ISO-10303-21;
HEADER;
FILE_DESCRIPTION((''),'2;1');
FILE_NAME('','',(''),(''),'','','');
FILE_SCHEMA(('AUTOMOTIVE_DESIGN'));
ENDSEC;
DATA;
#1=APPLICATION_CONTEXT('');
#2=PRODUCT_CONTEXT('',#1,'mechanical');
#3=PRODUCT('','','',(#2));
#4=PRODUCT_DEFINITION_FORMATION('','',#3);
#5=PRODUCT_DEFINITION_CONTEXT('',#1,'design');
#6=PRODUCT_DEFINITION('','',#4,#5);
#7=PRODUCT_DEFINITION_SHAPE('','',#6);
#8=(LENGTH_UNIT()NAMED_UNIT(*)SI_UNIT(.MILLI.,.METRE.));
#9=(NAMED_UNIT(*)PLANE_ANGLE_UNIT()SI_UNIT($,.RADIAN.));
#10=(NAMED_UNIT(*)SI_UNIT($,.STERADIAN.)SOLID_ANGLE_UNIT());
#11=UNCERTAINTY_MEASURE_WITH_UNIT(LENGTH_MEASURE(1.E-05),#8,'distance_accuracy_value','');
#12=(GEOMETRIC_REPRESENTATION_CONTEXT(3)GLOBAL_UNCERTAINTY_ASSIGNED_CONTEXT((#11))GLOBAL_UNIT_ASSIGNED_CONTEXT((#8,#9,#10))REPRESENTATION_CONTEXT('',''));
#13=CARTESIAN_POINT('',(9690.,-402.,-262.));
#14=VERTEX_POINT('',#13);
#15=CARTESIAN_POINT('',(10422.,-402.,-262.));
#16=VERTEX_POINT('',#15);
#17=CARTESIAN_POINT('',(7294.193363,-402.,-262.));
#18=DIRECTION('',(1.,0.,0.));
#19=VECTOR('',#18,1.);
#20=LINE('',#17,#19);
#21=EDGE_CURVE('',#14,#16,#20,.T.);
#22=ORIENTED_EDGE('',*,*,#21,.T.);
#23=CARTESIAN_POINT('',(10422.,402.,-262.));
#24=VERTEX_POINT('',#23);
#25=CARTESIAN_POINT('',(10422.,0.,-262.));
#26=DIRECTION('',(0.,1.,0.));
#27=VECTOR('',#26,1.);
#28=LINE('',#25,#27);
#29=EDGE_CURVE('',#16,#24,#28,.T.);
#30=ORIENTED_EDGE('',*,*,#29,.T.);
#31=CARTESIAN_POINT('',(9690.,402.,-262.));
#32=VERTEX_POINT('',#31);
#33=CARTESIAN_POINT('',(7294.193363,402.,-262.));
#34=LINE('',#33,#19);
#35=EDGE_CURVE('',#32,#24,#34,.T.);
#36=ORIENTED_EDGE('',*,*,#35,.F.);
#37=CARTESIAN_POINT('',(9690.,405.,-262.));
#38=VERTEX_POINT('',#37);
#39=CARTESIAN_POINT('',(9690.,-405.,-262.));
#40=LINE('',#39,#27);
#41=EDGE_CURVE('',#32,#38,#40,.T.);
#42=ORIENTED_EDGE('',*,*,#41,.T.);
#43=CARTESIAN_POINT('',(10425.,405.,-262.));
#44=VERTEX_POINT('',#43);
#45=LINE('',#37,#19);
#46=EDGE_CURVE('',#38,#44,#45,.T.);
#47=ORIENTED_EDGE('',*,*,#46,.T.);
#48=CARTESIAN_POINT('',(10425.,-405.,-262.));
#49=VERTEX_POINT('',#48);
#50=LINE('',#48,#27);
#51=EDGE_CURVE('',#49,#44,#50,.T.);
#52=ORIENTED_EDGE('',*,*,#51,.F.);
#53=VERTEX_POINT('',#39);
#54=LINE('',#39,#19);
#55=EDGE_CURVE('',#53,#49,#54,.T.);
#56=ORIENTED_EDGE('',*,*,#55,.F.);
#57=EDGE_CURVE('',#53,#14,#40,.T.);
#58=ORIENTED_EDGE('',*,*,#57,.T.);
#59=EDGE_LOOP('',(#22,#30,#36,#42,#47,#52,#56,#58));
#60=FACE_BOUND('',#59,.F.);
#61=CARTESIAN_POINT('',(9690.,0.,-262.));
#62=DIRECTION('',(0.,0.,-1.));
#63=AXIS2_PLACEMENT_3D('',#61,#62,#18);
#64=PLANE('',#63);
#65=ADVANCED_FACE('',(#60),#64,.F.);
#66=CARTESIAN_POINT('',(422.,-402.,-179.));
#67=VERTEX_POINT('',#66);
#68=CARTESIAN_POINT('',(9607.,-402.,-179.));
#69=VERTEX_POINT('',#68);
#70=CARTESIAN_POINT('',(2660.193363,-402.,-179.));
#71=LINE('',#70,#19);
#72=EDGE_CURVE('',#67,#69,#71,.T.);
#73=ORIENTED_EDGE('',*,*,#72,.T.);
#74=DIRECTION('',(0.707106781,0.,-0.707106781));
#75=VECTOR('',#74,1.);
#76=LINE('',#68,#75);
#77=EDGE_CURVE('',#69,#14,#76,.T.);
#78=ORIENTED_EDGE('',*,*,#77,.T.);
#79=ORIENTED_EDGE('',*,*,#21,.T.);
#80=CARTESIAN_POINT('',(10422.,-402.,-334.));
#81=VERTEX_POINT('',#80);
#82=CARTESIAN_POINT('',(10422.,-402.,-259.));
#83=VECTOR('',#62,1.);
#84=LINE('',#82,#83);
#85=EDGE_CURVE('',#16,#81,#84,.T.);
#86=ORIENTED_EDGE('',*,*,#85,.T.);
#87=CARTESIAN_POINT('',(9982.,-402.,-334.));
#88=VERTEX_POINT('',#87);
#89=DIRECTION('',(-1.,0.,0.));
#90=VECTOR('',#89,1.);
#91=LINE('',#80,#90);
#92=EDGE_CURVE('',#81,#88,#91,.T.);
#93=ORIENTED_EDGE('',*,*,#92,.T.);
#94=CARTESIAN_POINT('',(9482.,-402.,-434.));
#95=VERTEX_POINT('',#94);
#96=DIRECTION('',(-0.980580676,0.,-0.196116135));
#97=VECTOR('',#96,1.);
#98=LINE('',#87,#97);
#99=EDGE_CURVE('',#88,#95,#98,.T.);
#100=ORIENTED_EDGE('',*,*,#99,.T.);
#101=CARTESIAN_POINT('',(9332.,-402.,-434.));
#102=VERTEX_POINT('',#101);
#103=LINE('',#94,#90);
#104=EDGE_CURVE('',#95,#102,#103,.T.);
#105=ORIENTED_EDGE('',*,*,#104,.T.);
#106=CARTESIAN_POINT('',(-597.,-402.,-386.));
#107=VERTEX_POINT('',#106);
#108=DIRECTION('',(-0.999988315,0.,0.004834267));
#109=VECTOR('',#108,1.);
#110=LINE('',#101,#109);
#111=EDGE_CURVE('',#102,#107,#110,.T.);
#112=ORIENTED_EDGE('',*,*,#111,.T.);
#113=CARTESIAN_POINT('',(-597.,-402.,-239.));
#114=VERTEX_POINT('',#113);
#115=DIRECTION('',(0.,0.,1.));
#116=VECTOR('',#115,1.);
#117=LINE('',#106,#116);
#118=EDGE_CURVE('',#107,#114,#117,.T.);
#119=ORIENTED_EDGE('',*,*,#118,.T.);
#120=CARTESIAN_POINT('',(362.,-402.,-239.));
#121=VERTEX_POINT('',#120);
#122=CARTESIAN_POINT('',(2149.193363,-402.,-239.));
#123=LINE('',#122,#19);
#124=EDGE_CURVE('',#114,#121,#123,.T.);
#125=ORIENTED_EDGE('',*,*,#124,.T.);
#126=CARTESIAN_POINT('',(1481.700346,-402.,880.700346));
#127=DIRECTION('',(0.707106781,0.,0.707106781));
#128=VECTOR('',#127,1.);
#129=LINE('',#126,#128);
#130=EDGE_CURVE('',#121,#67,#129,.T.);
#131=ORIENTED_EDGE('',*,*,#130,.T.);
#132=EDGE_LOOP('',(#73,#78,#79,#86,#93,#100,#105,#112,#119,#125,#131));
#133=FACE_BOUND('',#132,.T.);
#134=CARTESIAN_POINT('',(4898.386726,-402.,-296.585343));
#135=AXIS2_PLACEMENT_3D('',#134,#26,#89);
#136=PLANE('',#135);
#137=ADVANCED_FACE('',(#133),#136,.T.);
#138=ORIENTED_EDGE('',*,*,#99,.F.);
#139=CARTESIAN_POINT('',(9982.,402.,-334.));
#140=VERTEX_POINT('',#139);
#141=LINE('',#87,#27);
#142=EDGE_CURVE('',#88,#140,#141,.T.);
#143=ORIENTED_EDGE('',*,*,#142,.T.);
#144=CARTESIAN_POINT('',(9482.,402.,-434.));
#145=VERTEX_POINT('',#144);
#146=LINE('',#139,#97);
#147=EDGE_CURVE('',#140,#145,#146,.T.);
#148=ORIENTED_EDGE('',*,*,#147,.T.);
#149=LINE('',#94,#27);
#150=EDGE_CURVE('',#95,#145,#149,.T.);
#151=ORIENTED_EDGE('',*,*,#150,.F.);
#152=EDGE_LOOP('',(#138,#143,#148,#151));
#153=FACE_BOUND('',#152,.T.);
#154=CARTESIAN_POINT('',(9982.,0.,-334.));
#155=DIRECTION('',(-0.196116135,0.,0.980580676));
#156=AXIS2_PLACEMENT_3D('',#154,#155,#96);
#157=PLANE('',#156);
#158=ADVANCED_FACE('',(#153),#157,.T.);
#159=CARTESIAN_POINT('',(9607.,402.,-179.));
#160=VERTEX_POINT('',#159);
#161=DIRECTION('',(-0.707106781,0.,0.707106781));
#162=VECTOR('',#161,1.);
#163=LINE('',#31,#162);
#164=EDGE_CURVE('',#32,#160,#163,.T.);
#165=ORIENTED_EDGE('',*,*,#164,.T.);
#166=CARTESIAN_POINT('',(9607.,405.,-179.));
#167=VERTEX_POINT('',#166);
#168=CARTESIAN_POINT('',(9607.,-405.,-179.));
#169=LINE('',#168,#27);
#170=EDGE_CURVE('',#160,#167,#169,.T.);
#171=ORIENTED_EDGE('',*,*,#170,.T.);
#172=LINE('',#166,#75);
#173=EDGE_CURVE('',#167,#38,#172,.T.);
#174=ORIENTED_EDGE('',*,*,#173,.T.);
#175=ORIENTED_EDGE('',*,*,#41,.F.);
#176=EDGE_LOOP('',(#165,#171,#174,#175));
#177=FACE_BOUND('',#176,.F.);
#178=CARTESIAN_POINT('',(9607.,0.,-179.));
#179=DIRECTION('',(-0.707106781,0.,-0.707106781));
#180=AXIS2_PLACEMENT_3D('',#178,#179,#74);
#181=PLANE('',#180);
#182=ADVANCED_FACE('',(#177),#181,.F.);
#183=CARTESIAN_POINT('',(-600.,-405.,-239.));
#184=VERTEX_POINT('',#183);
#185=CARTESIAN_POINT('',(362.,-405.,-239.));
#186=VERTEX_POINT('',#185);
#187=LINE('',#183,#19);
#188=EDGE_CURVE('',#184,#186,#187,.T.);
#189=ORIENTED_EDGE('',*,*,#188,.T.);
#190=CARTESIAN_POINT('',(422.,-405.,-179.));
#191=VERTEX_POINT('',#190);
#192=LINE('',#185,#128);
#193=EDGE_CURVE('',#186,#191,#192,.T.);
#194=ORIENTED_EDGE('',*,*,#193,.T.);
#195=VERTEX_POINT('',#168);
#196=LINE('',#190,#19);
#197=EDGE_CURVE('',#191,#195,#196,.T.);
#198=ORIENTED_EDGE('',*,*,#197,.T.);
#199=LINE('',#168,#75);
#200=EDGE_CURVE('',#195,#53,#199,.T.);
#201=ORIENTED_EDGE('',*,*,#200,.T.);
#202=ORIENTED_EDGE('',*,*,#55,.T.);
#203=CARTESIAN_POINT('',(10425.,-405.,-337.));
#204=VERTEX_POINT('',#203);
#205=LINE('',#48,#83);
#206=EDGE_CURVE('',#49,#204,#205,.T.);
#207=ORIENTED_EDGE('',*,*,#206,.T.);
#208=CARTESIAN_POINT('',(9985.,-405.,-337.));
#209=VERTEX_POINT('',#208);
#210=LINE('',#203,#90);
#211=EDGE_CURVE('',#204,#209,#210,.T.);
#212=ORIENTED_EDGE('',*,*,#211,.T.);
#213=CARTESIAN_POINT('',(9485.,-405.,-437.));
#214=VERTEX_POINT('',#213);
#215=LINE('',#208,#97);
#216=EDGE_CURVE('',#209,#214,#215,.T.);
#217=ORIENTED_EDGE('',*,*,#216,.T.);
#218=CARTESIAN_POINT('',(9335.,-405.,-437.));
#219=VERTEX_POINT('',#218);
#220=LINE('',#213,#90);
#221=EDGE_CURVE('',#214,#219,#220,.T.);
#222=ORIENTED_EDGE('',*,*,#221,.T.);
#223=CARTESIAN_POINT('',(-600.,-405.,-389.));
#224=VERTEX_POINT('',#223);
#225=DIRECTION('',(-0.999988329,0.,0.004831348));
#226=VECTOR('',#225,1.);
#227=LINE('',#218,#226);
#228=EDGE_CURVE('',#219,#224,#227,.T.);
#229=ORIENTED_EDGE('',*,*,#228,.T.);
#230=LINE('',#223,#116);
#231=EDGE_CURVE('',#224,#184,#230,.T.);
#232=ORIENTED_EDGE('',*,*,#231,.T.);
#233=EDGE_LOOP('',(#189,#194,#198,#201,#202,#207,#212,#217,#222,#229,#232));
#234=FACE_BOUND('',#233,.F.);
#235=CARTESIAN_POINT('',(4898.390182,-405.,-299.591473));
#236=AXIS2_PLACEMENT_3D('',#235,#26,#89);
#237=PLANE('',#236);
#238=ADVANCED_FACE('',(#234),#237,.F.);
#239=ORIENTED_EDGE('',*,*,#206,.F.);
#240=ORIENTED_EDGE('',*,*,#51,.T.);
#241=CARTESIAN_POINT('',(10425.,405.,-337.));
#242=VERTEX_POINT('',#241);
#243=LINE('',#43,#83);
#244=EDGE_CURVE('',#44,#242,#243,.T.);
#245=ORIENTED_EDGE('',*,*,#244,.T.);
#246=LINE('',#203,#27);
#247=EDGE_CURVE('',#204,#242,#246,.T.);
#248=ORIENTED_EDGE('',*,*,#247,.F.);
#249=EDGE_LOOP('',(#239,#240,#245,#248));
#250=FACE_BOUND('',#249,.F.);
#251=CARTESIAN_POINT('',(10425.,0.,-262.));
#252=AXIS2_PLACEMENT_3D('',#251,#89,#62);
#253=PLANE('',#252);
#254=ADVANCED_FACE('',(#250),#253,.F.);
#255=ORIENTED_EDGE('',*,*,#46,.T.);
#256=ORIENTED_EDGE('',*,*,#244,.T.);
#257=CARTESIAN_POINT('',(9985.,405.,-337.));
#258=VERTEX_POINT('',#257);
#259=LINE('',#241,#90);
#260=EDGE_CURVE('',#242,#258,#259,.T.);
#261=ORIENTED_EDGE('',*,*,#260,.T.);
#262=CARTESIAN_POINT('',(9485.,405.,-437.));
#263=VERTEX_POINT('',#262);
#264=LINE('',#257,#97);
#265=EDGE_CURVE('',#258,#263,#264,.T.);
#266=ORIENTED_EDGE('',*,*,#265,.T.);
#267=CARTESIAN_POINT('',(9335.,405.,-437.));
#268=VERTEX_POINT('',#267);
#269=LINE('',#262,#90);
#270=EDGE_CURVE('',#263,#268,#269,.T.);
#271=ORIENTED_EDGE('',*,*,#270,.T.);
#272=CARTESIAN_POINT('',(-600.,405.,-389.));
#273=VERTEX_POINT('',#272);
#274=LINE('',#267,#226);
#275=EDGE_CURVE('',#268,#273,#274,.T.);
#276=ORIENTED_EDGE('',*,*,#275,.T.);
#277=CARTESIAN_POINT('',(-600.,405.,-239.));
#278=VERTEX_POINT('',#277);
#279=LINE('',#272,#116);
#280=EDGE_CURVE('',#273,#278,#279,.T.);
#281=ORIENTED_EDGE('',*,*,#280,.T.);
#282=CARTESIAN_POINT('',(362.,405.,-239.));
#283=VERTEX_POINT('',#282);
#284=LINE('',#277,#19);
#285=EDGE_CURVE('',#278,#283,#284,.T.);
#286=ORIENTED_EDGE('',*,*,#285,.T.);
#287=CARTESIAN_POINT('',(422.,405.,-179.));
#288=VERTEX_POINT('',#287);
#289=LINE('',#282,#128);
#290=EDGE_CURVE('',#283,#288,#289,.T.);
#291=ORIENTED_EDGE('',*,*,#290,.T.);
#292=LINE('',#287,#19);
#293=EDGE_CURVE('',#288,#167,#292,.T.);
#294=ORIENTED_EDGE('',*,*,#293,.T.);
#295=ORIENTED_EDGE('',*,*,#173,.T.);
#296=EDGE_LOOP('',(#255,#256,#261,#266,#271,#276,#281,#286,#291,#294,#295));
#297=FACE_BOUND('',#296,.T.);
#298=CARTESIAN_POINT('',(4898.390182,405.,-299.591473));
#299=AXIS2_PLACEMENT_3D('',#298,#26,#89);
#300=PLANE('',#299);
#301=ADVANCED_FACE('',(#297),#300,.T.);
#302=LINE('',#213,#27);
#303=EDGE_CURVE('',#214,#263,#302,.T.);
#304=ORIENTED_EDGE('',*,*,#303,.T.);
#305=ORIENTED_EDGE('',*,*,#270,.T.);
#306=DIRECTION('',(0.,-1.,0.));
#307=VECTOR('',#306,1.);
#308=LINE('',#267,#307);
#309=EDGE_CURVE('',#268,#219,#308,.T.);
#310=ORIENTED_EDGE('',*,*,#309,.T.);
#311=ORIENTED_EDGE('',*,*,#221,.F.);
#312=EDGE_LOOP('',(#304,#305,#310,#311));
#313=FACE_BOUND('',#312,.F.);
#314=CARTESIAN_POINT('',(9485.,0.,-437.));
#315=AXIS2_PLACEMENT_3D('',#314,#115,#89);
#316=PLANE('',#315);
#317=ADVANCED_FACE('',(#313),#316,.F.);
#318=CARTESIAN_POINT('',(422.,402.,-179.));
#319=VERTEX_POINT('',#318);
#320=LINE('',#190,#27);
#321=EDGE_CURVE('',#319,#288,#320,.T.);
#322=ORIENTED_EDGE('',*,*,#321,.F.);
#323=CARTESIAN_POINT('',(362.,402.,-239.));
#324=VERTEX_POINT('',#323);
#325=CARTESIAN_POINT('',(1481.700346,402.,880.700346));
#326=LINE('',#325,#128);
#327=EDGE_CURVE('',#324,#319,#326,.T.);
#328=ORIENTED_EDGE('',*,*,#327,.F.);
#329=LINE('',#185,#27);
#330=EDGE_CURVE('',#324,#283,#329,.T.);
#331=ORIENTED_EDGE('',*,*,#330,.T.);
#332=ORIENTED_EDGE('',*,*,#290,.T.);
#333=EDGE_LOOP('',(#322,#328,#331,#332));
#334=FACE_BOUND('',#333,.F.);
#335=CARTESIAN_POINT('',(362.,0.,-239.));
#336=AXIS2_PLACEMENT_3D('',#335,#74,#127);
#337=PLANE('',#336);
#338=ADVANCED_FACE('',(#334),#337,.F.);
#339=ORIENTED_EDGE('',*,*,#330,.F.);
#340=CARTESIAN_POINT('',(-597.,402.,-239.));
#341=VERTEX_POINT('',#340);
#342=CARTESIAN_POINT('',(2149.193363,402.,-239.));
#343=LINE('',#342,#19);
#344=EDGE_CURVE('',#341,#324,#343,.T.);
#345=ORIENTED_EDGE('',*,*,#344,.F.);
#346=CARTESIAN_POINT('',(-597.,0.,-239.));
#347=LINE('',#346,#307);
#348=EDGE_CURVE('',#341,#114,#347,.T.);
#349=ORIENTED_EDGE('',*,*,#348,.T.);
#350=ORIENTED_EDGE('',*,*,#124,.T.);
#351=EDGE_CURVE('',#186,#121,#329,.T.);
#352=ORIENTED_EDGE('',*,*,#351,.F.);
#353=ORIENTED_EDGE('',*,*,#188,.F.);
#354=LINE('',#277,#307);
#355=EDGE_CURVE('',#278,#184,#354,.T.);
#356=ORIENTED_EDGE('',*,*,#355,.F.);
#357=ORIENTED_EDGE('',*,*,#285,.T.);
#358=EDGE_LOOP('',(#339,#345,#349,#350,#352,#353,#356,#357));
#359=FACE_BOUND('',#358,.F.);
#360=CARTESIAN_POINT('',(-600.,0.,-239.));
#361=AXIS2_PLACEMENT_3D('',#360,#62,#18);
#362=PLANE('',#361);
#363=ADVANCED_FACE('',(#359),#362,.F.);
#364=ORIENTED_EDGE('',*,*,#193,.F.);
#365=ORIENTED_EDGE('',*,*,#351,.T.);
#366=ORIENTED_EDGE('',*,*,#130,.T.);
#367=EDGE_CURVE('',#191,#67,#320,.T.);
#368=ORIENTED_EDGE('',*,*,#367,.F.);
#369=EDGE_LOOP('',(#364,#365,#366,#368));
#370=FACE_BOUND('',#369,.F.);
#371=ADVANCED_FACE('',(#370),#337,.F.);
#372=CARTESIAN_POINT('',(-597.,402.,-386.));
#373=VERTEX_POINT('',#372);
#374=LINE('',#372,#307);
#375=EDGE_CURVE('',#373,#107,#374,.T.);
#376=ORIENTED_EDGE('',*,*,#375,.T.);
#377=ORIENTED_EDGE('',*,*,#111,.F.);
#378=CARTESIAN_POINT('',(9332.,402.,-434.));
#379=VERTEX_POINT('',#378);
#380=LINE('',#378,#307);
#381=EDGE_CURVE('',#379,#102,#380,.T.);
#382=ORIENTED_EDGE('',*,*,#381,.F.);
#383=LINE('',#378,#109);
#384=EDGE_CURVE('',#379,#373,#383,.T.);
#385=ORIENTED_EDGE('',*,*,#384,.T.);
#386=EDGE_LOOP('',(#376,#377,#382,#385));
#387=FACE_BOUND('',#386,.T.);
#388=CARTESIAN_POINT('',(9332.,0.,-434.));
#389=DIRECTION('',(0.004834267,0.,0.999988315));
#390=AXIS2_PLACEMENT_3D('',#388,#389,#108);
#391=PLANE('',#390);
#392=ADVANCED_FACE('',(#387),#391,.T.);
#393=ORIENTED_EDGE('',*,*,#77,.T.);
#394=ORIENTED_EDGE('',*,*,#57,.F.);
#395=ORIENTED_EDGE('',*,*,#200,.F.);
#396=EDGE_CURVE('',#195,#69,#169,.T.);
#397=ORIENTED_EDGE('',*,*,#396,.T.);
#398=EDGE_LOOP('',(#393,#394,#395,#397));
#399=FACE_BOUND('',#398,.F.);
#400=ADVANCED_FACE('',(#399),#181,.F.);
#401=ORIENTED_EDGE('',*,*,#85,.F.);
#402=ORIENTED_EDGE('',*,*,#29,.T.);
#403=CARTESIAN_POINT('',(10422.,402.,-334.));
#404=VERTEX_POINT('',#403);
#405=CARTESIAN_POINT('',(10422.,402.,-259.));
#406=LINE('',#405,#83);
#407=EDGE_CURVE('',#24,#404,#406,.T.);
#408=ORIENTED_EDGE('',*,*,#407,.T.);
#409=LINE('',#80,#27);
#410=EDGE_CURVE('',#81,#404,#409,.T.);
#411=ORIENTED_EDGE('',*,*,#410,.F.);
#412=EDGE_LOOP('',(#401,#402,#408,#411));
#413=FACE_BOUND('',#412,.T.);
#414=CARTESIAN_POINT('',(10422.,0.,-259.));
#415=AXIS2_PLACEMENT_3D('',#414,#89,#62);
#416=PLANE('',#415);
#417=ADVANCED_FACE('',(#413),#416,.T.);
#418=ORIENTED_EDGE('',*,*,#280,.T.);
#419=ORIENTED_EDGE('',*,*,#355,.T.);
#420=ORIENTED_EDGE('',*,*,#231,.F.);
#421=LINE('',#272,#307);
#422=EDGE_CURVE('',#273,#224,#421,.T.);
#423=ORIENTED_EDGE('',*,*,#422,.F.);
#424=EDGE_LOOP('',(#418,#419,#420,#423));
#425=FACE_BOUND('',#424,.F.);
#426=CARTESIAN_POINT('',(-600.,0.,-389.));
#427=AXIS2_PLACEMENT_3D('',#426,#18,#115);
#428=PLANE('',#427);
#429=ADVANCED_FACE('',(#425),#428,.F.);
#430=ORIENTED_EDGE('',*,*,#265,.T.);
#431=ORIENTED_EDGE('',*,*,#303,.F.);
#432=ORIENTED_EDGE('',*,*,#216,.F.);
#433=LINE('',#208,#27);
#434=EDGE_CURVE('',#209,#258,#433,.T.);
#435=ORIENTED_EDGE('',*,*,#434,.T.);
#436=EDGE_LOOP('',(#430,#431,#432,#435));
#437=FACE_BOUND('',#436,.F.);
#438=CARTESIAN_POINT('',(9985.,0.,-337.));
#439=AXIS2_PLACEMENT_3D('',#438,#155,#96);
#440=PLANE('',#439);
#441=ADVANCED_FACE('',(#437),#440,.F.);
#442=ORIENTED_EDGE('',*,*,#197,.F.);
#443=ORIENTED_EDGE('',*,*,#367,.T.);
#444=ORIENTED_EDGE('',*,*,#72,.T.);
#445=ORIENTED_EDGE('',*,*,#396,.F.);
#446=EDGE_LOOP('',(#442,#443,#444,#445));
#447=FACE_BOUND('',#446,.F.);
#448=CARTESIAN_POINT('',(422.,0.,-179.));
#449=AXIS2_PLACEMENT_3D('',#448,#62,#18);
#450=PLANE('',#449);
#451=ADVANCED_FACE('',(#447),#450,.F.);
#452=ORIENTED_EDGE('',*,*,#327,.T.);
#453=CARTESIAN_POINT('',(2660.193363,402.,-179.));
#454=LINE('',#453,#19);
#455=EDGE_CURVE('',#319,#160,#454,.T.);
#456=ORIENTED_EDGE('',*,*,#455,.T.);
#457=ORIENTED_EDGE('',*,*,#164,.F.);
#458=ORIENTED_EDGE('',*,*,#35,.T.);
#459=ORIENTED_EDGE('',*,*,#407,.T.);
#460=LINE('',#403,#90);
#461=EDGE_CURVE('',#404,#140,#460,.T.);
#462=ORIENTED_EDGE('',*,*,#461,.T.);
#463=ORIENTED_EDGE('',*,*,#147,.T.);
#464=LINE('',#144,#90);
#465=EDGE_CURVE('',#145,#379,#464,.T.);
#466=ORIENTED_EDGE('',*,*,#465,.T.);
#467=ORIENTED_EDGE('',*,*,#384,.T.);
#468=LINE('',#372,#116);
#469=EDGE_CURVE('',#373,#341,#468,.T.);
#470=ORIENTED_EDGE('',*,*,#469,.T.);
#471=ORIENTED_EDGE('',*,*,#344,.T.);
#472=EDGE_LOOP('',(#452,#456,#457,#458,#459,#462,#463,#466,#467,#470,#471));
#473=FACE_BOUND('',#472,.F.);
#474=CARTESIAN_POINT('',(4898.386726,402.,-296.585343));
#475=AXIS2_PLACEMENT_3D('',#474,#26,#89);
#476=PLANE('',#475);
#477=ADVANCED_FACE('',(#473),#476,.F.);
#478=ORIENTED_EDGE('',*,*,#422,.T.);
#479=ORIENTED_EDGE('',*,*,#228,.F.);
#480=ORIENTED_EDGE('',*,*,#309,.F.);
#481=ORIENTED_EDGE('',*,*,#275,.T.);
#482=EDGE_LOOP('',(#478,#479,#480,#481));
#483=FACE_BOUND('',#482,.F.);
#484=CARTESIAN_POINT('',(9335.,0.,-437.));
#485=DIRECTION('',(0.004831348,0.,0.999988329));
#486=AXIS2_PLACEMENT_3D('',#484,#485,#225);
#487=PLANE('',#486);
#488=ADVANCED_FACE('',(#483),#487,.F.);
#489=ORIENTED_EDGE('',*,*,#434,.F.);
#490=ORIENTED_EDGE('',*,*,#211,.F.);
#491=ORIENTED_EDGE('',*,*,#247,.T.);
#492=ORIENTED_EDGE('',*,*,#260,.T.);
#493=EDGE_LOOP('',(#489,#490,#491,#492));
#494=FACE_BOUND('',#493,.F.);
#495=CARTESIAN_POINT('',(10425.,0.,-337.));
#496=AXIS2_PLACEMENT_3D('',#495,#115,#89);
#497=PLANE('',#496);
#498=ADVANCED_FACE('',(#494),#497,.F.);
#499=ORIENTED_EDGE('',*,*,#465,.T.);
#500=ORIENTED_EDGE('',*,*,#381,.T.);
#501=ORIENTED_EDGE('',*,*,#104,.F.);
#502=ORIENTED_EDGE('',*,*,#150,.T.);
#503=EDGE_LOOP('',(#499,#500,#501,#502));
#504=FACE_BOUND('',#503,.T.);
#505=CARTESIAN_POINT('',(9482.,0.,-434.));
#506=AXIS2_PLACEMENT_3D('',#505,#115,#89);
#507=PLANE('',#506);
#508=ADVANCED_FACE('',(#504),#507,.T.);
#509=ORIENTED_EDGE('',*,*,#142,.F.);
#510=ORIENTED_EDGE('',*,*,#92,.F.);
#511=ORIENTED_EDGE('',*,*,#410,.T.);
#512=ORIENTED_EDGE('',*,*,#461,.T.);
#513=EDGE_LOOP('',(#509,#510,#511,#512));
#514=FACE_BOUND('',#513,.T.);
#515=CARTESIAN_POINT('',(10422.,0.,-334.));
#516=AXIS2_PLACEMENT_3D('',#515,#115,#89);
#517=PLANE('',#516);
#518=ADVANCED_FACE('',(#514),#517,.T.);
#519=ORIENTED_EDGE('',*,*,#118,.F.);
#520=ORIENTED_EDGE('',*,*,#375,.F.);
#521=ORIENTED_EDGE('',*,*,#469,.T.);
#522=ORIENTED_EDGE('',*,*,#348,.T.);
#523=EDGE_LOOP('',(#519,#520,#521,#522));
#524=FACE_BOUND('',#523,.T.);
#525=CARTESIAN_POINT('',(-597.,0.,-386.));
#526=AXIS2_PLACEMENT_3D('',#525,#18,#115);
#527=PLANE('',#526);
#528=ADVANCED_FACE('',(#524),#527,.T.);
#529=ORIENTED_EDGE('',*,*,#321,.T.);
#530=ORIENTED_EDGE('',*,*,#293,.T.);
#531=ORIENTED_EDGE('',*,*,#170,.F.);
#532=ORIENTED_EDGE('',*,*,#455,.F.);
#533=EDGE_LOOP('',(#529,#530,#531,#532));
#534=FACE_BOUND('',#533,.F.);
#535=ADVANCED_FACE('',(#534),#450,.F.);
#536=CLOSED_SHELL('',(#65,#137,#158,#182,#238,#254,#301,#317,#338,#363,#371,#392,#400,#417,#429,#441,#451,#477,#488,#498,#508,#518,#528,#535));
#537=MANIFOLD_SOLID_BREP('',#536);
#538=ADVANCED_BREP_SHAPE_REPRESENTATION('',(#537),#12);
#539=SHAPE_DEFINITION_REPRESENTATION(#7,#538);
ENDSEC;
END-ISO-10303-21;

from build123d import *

# Parameters (mm, degrees)
EXTRUDE032_DEPTH = 402
EXTRUDE015_DEPTH = 405


with BuildPart() as extrude032:
    # Sketch033 → Extrude032 (new body, symmetric)
    with BuildSketch(Plane.XZ):
        Polygon((-597, -239), (362, -239), (422, -179), (9604, -179), (9687, -262), (10422, -262), (10422, -337), (9982, -337), (9482, -437), (9332, -437), (-597, -389), align=None)
    extrude(amount=EXTRUDE032_DEPTH, both=True)


with BuildPart() as extrude032_1:
    # Extrude032 placement: moved
    add(extrude032.part.moved(Location((0, 0, 3))))


with BuildPart() as cut:
    # Sketch023 → Extrude015 (new body, symmetric)
    with BuildSketch(Plane.XZ):
        Polygon((-600, -239), (362, -239), (422, -179), (9607, -179), (9690, -262), (10425, -262), (10425, -337), (9985, -337), (9485, -437), (9335, -437), (-600, -389), align=None)
    extrude(amount=EXTRUDE015_DEPTH, both=True)

    # Cut: cut Extrude032
    add(extrude032_1.part, mode=Mode.SUBTRACT)


solid = cut.part
